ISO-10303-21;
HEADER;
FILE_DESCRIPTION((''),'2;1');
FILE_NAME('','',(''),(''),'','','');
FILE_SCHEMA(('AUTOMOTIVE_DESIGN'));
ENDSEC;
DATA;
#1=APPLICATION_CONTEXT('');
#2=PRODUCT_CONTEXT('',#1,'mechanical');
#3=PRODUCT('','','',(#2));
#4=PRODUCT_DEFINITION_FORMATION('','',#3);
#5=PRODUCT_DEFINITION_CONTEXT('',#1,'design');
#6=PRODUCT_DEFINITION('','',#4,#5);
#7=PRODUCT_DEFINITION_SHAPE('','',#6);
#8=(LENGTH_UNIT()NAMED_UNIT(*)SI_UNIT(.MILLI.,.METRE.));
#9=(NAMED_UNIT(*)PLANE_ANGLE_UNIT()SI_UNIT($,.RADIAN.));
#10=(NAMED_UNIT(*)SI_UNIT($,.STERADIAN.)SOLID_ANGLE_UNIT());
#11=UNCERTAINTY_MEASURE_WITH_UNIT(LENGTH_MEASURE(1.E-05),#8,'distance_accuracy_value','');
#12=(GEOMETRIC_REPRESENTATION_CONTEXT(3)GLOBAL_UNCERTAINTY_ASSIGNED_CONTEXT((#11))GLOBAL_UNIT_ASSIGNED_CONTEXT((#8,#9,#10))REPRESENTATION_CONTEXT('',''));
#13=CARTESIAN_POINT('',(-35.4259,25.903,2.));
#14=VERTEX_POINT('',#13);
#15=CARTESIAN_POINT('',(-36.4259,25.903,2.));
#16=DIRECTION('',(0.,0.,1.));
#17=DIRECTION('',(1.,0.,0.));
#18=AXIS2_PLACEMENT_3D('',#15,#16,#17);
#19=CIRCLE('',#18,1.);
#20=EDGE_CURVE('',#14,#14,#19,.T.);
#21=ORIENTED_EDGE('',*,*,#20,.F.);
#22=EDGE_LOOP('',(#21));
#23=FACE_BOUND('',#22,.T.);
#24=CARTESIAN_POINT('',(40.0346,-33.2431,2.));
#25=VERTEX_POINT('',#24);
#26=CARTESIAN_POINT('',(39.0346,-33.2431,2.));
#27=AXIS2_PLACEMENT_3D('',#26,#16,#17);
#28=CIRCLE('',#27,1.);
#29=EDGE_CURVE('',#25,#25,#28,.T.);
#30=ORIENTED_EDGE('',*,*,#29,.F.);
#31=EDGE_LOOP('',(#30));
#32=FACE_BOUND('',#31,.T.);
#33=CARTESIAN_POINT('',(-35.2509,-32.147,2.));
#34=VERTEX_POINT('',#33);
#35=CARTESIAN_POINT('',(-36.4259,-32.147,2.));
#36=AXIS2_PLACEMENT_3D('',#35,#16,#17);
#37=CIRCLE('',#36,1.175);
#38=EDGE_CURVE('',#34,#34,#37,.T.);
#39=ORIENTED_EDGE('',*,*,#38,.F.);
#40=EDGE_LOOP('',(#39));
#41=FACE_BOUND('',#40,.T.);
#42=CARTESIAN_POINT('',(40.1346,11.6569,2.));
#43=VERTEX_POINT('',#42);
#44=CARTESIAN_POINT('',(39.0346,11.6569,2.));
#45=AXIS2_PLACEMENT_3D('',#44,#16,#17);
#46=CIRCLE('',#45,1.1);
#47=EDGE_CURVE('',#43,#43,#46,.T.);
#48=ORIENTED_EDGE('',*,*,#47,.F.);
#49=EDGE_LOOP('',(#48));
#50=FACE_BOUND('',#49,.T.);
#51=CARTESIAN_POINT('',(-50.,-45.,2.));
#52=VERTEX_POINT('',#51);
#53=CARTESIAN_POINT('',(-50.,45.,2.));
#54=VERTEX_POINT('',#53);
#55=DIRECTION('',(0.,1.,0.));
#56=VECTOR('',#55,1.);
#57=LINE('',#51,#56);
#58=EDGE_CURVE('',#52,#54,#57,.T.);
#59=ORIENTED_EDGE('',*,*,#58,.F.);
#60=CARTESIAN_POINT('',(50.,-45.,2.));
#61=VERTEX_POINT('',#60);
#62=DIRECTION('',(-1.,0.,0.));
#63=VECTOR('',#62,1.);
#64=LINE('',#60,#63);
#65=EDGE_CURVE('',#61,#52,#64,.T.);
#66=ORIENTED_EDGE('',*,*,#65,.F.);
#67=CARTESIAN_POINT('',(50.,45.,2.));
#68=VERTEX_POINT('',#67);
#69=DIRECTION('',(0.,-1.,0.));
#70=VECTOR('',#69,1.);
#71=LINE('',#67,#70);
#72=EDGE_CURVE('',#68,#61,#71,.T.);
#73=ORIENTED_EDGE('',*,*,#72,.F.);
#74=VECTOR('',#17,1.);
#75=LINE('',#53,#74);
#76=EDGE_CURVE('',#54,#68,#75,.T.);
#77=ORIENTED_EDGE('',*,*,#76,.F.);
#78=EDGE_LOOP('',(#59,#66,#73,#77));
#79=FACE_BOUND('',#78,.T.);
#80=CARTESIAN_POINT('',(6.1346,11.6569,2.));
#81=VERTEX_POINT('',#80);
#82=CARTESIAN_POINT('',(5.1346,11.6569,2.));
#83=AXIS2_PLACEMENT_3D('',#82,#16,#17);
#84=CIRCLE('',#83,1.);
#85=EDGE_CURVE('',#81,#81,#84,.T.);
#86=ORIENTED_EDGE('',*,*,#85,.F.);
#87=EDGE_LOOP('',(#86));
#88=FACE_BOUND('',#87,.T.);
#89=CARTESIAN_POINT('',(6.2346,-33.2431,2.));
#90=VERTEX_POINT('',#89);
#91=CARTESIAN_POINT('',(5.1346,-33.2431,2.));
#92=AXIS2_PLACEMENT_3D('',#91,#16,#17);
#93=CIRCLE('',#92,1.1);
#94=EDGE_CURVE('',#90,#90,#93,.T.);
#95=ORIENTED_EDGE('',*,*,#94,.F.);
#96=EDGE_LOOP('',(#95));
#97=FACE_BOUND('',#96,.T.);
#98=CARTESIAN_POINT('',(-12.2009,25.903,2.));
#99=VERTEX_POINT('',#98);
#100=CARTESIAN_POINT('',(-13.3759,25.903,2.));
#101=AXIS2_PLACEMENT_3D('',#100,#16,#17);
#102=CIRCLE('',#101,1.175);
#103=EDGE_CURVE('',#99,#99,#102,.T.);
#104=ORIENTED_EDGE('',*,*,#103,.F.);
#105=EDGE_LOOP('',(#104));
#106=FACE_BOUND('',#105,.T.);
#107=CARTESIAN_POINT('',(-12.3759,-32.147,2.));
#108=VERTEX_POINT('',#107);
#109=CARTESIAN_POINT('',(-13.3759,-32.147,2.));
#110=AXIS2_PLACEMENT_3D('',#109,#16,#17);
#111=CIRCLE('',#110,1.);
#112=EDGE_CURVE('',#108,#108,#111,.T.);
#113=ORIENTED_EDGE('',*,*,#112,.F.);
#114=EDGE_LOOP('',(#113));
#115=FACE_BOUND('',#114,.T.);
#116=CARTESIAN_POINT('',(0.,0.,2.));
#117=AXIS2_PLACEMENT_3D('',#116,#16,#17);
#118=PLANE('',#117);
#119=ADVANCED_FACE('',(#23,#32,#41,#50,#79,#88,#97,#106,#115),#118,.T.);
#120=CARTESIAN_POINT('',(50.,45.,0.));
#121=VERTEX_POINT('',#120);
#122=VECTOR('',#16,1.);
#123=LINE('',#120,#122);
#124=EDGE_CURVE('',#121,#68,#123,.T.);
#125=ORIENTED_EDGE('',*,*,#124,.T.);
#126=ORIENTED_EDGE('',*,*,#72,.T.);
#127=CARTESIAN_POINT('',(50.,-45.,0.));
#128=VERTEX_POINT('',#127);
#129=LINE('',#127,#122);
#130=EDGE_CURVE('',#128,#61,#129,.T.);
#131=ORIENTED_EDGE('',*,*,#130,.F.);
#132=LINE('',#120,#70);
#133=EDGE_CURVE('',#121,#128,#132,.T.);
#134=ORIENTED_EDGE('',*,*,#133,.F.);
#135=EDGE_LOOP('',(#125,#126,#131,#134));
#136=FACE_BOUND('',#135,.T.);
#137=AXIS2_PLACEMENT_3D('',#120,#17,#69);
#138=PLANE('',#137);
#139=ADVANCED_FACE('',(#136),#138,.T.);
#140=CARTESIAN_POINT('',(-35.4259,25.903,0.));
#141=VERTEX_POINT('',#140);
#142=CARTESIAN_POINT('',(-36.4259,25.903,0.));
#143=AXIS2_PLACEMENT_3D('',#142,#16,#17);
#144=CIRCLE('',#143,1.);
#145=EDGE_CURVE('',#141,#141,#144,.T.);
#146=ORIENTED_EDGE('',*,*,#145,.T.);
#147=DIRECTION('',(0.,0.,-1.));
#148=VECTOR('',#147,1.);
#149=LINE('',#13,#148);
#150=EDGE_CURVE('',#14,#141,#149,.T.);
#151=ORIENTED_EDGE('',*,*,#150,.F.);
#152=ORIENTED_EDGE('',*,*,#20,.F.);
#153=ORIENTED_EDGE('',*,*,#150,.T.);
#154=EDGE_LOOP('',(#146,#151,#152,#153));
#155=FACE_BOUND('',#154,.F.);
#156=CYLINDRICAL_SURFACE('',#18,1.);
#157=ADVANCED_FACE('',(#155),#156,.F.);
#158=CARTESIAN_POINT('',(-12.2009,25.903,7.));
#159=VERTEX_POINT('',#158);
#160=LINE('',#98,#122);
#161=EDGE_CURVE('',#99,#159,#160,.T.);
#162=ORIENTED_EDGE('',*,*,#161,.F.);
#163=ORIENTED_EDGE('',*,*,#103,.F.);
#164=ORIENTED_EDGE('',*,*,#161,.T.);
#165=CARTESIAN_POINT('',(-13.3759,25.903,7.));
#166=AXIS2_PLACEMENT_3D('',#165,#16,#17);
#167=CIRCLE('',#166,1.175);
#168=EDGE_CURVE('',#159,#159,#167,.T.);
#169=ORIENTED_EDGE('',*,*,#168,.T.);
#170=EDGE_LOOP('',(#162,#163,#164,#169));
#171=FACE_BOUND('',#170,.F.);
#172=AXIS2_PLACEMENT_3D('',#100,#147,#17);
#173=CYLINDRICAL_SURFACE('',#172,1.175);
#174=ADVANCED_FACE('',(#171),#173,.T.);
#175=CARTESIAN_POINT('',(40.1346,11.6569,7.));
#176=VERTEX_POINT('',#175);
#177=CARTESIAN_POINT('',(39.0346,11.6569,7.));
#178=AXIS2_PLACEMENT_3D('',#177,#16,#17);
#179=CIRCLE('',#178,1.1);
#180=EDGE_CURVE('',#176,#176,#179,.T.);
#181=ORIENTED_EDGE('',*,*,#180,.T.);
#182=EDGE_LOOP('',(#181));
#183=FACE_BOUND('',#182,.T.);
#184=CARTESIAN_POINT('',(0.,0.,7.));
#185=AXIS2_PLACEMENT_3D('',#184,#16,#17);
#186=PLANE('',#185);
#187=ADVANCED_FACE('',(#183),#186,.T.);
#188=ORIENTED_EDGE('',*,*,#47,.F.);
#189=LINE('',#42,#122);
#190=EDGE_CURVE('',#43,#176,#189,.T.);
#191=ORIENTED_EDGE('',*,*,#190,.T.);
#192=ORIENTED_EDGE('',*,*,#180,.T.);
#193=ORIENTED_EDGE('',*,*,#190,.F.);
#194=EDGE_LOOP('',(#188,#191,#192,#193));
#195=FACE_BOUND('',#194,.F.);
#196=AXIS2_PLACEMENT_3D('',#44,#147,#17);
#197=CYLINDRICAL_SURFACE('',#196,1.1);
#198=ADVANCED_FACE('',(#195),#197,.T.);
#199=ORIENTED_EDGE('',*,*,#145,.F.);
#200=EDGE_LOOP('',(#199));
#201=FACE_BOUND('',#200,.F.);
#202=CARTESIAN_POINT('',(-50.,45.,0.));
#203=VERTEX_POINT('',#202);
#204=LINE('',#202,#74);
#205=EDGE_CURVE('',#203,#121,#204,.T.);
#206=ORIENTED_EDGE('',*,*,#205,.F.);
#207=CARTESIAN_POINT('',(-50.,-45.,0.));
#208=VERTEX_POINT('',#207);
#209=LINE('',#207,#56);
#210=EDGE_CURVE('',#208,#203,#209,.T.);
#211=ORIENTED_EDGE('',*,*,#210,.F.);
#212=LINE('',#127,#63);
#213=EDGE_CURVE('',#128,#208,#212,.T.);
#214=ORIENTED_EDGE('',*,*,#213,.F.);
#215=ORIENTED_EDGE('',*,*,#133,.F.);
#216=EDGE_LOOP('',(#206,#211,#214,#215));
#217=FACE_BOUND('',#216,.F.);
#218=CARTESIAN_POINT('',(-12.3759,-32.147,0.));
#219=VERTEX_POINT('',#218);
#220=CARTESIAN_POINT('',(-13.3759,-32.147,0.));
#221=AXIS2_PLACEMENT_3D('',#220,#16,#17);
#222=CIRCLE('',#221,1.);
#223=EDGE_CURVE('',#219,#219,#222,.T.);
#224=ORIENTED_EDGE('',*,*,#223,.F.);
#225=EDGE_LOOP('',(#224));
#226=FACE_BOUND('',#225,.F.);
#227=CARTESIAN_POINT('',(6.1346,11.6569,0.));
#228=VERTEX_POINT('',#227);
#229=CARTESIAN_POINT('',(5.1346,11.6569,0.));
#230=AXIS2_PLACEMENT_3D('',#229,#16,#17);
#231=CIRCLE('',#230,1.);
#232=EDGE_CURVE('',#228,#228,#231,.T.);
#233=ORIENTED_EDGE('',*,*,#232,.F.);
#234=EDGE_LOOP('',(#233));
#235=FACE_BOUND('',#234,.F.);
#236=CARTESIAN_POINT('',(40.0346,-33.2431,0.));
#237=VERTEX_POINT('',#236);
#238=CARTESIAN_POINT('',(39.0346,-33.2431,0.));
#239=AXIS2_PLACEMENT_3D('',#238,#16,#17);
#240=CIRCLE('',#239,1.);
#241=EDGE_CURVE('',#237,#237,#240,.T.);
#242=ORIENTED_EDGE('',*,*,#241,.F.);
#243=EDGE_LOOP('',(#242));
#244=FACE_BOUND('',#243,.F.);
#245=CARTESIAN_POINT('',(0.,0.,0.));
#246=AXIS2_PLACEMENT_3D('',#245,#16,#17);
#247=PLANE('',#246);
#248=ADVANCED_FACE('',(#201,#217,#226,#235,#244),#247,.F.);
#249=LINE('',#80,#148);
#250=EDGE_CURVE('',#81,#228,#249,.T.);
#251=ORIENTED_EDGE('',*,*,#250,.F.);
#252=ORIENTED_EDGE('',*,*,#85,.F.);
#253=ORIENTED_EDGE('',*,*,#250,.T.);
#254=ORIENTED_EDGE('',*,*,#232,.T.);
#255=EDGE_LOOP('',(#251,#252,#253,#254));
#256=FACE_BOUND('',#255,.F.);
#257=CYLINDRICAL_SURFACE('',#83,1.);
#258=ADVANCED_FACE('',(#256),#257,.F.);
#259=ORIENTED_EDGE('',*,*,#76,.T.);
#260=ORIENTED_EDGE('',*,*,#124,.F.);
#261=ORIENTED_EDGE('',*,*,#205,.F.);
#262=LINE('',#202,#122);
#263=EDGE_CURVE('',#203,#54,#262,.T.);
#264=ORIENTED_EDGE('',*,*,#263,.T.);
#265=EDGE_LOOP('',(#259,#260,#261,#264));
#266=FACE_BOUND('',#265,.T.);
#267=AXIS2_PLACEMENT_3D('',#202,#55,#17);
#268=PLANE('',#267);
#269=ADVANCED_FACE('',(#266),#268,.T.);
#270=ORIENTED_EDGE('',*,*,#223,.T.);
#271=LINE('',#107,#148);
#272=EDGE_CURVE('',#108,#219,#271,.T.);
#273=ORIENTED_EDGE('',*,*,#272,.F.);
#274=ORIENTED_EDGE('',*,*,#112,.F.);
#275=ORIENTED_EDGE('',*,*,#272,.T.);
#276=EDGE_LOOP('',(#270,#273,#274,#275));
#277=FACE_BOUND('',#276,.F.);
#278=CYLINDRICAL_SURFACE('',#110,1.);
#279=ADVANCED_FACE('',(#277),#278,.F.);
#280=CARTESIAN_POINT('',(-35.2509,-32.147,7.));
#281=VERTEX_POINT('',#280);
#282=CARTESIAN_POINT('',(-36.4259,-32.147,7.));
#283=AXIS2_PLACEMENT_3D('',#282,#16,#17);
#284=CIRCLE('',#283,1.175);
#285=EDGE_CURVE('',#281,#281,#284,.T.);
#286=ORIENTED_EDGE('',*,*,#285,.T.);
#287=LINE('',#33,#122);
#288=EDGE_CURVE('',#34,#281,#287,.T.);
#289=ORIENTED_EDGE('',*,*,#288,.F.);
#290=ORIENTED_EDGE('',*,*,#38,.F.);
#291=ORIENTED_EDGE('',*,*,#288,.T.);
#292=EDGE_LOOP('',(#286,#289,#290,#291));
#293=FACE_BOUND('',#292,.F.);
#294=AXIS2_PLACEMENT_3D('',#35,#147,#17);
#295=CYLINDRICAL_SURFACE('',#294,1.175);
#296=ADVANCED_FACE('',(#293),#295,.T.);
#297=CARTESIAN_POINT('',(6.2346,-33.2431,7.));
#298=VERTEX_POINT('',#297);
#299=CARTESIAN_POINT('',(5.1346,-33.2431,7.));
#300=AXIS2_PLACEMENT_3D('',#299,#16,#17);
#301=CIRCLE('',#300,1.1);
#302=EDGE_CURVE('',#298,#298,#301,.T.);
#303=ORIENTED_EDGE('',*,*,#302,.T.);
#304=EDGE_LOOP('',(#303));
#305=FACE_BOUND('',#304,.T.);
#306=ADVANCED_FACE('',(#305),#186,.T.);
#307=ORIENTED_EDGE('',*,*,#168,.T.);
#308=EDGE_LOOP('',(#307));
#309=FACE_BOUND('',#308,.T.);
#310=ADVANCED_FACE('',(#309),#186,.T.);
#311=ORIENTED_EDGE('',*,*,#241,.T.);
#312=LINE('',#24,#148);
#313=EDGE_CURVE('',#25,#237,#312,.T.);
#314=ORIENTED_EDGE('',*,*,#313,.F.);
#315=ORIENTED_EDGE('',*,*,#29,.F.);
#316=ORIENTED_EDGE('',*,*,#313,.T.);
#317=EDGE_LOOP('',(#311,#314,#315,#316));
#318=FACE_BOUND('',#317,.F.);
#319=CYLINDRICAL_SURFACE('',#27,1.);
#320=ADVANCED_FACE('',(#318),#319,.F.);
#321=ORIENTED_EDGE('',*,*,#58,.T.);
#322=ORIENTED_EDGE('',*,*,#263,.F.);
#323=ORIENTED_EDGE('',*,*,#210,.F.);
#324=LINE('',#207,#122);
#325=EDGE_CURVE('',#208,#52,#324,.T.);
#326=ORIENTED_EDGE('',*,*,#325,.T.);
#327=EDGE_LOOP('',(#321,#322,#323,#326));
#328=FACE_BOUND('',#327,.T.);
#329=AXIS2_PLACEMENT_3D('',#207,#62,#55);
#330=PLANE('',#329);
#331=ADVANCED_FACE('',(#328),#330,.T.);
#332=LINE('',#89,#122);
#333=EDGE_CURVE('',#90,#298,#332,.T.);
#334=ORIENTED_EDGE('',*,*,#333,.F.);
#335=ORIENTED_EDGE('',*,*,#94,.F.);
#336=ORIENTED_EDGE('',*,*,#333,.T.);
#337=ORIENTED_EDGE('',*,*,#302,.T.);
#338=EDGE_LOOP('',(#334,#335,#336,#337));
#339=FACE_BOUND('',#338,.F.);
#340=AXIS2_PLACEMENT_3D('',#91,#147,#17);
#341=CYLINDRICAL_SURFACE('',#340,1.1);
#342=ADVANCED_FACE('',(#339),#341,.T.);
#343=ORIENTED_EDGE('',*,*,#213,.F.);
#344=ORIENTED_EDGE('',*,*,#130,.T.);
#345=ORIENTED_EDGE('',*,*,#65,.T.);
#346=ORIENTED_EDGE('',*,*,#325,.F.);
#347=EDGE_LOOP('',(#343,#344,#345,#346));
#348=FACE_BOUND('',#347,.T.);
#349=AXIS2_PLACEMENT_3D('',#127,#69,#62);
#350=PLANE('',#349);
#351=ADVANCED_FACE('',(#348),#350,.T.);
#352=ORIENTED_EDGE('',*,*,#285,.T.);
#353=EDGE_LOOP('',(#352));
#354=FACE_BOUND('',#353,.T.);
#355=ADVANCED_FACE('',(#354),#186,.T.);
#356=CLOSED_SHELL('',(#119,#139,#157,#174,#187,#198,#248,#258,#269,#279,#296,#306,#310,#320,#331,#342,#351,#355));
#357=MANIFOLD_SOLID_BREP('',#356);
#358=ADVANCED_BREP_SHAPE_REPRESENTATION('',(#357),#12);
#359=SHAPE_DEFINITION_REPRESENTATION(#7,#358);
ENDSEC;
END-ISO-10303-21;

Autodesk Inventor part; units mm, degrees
ref_plane "YZ Plane" through (0, 0, 0) normal (1, 0, 0) x (0, 1, 0)
ref_plane "XZ Plane" through (0, 0, 0) normal (0, 1, 0) x (-1, 0, 0)
ref_plane "XY Plane" through (0, 0, 0) normal (0, 0, 1) x (1, 0, 0)
sketch "Sketch1" plane through (0, 0, 0) normal (0, 0, 1) x (1, 0, 0)
  line L0 (-50, 45) -> (50, 45)
  line L1 (50, 45) -> (50, -45)
  line L2 (50, -45) -> (-50, -45)
  line L3 (-50, -45) -> (-50, 45)
  line L4 (-50, -45) -> (50, 45) construction
  point P0 (0, 0)
  point P1 (0, 0)
  dimension "d0" = 100
  dimension "d1" = 90
extrude "Extrusion1" add sketch "Sketch1" along normal blind 2
sketch "Sketch2" plane through (0, 0, 2) normal (0, 0, 1) x (1, 0, 0)
  circle A0 centre (39.0346, -33.2431) radius 1.25 projected
  circle A1 centre (5.1346, -33.2431) radius 1.25 projected
  circle A2 centre (5.1346, 11.6569) radius 1.25 projected
  circle A3 centre (39.0346, 11.6569) radius 1.25 projected
  circle A4 centre (-13.3759, -32.147) radius 1.325 projected
  circle A5 centre (-36.4259, -32.147) radius 1.325 projected
  circle A6 centre (-13.3759, 25.903) radius 1.325 projected
  circle A7 centre (-36.4259, 25.903) radius 1.325 projected
  circle A8 centre (39.0346, -33.2431) radius 1
  circle A9 centre (5.1346, -33.2431) radius 1
  circle A10 centre (-13.3759, -32.147) radius 1
  circle A11 centre (-36.4259, -32.147) radius 1
  circle A12 centre (-13.3759, 25.903) radius 1
  circle A13 centre (-36.4259, 25.903) radius 1
  circle A14 centre (5.1346, 11.6569) radius 1
  circle A15 centre (39.0346, 11.6569) radius 1
  point P0 (0, 0)
  dimension "d4" = 2
  dimension "d5" = 2
  dimension "d6" = 2
  dimension "d7" = 2
  dimension "d8" = 2
  dimension "d9" = 2
  dimension "d10" = 2
  dimension "d11" = 2
extrude "Extrusion2" cut sketch "Sketch2" against normal blind 10 contours A8 | A10 | A13 | A14
sketch "Sketch3" plane through (0, 0, 2) normal (0, 0, 1) x (1, 0, 0)
  circle A0 centre (39.0346, 11.6569) radius 1.25 projected
  circle A1 centre (5.1346, -33.2431) radius 1.25 projected
  circle A2 centre (-36.4259, -32.147) radius 1.325 projected
  circle A3 centre (-13.3759, 25.903) radius 1.325 projected
  circle A4 centre (5.1346, -33.2431) radius 1.1
  circle A5 centre (-36.4259, -32.147) radius 1.175
  circle A6 centre (-13.3759, 25.903) radius 1.175
  circle A7 centre (39.0346, 11.6569) radius 1.1
  point P0 (0, 0)
  dimension "d14" = 0.15
  dimension "d15" = 0.15
  dimension "d16" = 0.15
  dimension "d17" = 0.15
extrude "Extrusion3" add sketch "Sketch3" along normal blind 5 contours A4 | A5 | A6 | A7
equation "\"d15\" = d14"
equation "\"d16\" = d14"
equation "\"d17\" = d14"
properties part number "Electrical Box"
